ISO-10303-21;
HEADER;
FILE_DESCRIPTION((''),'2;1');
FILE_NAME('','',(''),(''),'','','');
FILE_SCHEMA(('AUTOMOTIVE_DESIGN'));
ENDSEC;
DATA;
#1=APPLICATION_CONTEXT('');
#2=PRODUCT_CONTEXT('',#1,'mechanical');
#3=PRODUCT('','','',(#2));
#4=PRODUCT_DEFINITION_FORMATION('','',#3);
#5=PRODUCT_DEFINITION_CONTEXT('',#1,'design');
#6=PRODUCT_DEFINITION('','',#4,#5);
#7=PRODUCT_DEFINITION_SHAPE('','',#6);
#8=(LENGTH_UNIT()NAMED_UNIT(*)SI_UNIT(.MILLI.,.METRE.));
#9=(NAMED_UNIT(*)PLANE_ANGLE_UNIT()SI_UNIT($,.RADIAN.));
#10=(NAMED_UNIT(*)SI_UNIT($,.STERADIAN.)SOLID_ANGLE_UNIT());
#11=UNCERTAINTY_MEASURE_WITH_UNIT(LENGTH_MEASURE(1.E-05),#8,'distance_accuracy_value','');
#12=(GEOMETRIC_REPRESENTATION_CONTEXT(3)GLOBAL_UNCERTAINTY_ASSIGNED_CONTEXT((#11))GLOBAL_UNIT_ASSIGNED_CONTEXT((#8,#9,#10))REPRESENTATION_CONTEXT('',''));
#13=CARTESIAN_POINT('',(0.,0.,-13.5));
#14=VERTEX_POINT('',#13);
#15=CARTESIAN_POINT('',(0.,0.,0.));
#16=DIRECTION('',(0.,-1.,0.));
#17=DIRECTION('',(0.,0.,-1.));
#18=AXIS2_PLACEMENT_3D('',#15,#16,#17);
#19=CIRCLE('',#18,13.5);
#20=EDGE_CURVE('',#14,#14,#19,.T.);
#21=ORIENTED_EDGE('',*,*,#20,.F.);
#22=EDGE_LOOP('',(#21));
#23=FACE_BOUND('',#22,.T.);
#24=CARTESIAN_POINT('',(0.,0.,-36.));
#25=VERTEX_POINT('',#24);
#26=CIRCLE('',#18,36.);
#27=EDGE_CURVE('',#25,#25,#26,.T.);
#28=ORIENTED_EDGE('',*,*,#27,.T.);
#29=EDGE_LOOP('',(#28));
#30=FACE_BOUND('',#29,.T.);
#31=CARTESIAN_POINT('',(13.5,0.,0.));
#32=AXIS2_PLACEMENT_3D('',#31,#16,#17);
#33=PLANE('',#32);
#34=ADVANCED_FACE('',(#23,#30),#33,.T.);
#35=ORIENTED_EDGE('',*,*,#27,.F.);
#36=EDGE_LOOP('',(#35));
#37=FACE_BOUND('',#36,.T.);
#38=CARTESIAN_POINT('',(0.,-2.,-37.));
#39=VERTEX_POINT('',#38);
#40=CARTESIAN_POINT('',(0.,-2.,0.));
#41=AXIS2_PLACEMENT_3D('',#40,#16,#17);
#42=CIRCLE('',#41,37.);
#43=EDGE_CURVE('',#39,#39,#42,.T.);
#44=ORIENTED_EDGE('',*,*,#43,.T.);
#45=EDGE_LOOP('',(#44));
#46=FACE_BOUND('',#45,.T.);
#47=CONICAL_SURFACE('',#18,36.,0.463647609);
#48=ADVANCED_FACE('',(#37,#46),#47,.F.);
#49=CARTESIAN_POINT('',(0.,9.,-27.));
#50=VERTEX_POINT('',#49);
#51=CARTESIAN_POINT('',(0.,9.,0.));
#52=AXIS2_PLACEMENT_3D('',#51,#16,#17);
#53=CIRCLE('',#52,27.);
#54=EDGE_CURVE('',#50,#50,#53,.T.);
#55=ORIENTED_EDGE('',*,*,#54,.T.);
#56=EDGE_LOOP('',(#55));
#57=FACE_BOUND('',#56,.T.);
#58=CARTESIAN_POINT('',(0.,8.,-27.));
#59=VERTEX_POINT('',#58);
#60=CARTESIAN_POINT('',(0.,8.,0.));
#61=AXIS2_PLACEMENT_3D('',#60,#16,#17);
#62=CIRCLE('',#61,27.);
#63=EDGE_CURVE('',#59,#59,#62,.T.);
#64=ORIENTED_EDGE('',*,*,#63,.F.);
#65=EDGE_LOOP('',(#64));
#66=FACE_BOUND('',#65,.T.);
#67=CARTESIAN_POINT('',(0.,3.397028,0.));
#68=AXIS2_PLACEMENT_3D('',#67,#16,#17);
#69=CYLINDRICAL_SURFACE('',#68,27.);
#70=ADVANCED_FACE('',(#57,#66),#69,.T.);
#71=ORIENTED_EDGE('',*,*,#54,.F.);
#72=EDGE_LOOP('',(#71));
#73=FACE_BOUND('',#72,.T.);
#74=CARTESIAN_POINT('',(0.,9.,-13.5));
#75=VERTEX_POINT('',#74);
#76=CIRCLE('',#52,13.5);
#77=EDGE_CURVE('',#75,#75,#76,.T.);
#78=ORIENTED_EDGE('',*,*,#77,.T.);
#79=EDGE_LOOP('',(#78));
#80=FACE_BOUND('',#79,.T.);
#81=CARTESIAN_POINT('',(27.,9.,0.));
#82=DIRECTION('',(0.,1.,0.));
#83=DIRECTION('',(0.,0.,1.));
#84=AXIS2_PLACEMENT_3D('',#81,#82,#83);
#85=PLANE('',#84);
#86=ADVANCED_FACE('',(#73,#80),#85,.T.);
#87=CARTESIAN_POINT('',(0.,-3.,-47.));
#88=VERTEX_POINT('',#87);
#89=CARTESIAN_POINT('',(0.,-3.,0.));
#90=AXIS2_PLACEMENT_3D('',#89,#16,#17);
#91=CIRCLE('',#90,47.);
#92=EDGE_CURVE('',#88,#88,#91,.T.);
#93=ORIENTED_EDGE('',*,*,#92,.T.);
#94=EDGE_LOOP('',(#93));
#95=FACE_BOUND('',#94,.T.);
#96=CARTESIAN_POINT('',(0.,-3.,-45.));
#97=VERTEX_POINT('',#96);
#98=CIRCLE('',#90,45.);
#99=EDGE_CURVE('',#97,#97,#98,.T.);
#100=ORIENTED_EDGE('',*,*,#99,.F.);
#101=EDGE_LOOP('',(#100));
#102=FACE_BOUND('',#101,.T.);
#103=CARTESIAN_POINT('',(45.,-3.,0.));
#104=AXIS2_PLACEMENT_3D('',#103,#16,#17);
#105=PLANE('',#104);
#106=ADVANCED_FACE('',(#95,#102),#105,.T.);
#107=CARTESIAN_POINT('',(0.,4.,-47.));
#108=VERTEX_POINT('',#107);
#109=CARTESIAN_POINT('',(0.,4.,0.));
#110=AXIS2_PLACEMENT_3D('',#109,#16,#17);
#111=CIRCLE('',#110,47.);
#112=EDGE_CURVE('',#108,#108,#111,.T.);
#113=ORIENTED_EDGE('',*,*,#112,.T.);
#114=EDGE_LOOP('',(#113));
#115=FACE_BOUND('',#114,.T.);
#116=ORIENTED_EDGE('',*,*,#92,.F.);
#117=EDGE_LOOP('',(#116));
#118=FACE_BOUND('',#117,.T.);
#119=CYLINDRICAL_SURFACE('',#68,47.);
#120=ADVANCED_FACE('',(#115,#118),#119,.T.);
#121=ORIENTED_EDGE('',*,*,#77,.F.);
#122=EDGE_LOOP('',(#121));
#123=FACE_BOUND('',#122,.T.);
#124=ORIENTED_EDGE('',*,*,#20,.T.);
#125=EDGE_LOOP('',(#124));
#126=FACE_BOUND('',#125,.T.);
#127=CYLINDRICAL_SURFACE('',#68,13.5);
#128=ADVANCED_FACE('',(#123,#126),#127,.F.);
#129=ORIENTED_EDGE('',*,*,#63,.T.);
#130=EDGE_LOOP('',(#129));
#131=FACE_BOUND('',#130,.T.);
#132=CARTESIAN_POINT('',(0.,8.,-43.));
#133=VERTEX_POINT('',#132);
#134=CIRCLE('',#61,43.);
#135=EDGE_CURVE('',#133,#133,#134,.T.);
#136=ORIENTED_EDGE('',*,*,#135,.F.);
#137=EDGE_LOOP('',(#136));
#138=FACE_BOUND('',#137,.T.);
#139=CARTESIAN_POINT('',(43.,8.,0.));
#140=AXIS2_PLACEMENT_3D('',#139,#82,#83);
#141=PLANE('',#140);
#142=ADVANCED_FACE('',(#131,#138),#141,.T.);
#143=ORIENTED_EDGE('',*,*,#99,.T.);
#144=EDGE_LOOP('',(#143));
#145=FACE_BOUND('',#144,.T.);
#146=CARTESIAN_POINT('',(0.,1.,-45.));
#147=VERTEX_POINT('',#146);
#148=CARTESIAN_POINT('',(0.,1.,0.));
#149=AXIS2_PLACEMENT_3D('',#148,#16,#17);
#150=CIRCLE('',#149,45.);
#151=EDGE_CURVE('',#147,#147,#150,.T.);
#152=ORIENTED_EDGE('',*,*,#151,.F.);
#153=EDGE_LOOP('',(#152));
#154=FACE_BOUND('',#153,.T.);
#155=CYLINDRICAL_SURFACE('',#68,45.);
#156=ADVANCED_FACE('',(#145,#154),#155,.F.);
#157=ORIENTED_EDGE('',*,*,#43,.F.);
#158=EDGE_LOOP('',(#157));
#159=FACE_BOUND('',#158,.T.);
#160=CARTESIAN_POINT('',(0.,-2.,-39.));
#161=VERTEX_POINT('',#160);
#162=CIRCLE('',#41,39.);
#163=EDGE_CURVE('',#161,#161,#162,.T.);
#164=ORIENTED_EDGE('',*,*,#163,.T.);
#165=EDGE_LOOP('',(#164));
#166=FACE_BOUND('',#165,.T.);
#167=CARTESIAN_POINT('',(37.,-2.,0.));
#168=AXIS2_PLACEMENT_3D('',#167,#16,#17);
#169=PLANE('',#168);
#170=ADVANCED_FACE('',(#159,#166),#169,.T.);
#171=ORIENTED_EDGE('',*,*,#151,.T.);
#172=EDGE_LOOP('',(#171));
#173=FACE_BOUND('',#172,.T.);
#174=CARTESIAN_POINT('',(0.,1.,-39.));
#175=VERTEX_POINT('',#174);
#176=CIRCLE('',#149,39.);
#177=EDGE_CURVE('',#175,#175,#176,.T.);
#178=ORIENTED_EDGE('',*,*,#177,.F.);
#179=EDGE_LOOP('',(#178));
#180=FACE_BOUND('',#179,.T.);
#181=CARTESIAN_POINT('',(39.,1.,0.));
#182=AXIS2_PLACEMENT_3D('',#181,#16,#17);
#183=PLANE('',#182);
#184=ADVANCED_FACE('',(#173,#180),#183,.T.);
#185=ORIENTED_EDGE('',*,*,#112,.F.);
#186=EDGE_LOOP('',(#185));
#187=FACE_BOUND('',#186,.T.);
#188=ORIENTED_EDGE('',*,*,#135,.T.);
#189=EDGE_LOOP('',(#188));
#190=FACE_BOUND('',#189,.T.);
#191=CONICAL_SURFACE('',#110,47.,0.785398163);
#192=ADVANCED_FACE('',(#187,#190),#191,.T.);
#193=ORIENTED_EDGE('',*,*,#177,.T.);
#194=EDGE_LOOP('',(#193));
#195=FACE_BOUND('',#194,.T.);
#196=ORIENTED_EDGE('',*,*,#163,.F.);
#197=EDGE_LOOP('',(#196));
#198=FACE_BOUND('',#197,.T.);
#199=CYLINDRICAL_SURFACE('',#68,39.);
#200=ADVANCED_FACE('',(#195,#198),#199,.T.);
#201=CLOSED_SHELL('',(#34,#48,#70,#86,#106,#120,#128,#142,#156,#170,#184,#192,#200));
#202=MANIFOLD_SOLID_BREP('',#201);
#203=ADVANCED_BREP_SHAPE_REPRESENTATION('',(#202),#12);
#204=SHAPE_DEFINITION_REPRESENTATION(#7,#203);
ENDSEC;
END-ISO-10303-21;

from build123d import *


with BuildPart() as part:
    # Эскиз1 → Повернуть1 (revolve)
    with BuildSketch(Plane.XY, mode=Mode.PRIVATE) as revolve_1_sk:
        Polygon((13.5, 0), (13.5, 9), (27, 9), (27, 8), (43, 8), (47, 4), (47, -3), (45, -3), (45, 1), (39, 1), (39, -2), (37, -2), (36, 0), align=None)
    revolve(revolve_1_sk.sketch.rotate(Axis((0, 3.397027972, 0), (0, 1, 0)), 90), axis=Axis((0, 3.397027972, 0), (0, 1, 0)))


solid = part.part
